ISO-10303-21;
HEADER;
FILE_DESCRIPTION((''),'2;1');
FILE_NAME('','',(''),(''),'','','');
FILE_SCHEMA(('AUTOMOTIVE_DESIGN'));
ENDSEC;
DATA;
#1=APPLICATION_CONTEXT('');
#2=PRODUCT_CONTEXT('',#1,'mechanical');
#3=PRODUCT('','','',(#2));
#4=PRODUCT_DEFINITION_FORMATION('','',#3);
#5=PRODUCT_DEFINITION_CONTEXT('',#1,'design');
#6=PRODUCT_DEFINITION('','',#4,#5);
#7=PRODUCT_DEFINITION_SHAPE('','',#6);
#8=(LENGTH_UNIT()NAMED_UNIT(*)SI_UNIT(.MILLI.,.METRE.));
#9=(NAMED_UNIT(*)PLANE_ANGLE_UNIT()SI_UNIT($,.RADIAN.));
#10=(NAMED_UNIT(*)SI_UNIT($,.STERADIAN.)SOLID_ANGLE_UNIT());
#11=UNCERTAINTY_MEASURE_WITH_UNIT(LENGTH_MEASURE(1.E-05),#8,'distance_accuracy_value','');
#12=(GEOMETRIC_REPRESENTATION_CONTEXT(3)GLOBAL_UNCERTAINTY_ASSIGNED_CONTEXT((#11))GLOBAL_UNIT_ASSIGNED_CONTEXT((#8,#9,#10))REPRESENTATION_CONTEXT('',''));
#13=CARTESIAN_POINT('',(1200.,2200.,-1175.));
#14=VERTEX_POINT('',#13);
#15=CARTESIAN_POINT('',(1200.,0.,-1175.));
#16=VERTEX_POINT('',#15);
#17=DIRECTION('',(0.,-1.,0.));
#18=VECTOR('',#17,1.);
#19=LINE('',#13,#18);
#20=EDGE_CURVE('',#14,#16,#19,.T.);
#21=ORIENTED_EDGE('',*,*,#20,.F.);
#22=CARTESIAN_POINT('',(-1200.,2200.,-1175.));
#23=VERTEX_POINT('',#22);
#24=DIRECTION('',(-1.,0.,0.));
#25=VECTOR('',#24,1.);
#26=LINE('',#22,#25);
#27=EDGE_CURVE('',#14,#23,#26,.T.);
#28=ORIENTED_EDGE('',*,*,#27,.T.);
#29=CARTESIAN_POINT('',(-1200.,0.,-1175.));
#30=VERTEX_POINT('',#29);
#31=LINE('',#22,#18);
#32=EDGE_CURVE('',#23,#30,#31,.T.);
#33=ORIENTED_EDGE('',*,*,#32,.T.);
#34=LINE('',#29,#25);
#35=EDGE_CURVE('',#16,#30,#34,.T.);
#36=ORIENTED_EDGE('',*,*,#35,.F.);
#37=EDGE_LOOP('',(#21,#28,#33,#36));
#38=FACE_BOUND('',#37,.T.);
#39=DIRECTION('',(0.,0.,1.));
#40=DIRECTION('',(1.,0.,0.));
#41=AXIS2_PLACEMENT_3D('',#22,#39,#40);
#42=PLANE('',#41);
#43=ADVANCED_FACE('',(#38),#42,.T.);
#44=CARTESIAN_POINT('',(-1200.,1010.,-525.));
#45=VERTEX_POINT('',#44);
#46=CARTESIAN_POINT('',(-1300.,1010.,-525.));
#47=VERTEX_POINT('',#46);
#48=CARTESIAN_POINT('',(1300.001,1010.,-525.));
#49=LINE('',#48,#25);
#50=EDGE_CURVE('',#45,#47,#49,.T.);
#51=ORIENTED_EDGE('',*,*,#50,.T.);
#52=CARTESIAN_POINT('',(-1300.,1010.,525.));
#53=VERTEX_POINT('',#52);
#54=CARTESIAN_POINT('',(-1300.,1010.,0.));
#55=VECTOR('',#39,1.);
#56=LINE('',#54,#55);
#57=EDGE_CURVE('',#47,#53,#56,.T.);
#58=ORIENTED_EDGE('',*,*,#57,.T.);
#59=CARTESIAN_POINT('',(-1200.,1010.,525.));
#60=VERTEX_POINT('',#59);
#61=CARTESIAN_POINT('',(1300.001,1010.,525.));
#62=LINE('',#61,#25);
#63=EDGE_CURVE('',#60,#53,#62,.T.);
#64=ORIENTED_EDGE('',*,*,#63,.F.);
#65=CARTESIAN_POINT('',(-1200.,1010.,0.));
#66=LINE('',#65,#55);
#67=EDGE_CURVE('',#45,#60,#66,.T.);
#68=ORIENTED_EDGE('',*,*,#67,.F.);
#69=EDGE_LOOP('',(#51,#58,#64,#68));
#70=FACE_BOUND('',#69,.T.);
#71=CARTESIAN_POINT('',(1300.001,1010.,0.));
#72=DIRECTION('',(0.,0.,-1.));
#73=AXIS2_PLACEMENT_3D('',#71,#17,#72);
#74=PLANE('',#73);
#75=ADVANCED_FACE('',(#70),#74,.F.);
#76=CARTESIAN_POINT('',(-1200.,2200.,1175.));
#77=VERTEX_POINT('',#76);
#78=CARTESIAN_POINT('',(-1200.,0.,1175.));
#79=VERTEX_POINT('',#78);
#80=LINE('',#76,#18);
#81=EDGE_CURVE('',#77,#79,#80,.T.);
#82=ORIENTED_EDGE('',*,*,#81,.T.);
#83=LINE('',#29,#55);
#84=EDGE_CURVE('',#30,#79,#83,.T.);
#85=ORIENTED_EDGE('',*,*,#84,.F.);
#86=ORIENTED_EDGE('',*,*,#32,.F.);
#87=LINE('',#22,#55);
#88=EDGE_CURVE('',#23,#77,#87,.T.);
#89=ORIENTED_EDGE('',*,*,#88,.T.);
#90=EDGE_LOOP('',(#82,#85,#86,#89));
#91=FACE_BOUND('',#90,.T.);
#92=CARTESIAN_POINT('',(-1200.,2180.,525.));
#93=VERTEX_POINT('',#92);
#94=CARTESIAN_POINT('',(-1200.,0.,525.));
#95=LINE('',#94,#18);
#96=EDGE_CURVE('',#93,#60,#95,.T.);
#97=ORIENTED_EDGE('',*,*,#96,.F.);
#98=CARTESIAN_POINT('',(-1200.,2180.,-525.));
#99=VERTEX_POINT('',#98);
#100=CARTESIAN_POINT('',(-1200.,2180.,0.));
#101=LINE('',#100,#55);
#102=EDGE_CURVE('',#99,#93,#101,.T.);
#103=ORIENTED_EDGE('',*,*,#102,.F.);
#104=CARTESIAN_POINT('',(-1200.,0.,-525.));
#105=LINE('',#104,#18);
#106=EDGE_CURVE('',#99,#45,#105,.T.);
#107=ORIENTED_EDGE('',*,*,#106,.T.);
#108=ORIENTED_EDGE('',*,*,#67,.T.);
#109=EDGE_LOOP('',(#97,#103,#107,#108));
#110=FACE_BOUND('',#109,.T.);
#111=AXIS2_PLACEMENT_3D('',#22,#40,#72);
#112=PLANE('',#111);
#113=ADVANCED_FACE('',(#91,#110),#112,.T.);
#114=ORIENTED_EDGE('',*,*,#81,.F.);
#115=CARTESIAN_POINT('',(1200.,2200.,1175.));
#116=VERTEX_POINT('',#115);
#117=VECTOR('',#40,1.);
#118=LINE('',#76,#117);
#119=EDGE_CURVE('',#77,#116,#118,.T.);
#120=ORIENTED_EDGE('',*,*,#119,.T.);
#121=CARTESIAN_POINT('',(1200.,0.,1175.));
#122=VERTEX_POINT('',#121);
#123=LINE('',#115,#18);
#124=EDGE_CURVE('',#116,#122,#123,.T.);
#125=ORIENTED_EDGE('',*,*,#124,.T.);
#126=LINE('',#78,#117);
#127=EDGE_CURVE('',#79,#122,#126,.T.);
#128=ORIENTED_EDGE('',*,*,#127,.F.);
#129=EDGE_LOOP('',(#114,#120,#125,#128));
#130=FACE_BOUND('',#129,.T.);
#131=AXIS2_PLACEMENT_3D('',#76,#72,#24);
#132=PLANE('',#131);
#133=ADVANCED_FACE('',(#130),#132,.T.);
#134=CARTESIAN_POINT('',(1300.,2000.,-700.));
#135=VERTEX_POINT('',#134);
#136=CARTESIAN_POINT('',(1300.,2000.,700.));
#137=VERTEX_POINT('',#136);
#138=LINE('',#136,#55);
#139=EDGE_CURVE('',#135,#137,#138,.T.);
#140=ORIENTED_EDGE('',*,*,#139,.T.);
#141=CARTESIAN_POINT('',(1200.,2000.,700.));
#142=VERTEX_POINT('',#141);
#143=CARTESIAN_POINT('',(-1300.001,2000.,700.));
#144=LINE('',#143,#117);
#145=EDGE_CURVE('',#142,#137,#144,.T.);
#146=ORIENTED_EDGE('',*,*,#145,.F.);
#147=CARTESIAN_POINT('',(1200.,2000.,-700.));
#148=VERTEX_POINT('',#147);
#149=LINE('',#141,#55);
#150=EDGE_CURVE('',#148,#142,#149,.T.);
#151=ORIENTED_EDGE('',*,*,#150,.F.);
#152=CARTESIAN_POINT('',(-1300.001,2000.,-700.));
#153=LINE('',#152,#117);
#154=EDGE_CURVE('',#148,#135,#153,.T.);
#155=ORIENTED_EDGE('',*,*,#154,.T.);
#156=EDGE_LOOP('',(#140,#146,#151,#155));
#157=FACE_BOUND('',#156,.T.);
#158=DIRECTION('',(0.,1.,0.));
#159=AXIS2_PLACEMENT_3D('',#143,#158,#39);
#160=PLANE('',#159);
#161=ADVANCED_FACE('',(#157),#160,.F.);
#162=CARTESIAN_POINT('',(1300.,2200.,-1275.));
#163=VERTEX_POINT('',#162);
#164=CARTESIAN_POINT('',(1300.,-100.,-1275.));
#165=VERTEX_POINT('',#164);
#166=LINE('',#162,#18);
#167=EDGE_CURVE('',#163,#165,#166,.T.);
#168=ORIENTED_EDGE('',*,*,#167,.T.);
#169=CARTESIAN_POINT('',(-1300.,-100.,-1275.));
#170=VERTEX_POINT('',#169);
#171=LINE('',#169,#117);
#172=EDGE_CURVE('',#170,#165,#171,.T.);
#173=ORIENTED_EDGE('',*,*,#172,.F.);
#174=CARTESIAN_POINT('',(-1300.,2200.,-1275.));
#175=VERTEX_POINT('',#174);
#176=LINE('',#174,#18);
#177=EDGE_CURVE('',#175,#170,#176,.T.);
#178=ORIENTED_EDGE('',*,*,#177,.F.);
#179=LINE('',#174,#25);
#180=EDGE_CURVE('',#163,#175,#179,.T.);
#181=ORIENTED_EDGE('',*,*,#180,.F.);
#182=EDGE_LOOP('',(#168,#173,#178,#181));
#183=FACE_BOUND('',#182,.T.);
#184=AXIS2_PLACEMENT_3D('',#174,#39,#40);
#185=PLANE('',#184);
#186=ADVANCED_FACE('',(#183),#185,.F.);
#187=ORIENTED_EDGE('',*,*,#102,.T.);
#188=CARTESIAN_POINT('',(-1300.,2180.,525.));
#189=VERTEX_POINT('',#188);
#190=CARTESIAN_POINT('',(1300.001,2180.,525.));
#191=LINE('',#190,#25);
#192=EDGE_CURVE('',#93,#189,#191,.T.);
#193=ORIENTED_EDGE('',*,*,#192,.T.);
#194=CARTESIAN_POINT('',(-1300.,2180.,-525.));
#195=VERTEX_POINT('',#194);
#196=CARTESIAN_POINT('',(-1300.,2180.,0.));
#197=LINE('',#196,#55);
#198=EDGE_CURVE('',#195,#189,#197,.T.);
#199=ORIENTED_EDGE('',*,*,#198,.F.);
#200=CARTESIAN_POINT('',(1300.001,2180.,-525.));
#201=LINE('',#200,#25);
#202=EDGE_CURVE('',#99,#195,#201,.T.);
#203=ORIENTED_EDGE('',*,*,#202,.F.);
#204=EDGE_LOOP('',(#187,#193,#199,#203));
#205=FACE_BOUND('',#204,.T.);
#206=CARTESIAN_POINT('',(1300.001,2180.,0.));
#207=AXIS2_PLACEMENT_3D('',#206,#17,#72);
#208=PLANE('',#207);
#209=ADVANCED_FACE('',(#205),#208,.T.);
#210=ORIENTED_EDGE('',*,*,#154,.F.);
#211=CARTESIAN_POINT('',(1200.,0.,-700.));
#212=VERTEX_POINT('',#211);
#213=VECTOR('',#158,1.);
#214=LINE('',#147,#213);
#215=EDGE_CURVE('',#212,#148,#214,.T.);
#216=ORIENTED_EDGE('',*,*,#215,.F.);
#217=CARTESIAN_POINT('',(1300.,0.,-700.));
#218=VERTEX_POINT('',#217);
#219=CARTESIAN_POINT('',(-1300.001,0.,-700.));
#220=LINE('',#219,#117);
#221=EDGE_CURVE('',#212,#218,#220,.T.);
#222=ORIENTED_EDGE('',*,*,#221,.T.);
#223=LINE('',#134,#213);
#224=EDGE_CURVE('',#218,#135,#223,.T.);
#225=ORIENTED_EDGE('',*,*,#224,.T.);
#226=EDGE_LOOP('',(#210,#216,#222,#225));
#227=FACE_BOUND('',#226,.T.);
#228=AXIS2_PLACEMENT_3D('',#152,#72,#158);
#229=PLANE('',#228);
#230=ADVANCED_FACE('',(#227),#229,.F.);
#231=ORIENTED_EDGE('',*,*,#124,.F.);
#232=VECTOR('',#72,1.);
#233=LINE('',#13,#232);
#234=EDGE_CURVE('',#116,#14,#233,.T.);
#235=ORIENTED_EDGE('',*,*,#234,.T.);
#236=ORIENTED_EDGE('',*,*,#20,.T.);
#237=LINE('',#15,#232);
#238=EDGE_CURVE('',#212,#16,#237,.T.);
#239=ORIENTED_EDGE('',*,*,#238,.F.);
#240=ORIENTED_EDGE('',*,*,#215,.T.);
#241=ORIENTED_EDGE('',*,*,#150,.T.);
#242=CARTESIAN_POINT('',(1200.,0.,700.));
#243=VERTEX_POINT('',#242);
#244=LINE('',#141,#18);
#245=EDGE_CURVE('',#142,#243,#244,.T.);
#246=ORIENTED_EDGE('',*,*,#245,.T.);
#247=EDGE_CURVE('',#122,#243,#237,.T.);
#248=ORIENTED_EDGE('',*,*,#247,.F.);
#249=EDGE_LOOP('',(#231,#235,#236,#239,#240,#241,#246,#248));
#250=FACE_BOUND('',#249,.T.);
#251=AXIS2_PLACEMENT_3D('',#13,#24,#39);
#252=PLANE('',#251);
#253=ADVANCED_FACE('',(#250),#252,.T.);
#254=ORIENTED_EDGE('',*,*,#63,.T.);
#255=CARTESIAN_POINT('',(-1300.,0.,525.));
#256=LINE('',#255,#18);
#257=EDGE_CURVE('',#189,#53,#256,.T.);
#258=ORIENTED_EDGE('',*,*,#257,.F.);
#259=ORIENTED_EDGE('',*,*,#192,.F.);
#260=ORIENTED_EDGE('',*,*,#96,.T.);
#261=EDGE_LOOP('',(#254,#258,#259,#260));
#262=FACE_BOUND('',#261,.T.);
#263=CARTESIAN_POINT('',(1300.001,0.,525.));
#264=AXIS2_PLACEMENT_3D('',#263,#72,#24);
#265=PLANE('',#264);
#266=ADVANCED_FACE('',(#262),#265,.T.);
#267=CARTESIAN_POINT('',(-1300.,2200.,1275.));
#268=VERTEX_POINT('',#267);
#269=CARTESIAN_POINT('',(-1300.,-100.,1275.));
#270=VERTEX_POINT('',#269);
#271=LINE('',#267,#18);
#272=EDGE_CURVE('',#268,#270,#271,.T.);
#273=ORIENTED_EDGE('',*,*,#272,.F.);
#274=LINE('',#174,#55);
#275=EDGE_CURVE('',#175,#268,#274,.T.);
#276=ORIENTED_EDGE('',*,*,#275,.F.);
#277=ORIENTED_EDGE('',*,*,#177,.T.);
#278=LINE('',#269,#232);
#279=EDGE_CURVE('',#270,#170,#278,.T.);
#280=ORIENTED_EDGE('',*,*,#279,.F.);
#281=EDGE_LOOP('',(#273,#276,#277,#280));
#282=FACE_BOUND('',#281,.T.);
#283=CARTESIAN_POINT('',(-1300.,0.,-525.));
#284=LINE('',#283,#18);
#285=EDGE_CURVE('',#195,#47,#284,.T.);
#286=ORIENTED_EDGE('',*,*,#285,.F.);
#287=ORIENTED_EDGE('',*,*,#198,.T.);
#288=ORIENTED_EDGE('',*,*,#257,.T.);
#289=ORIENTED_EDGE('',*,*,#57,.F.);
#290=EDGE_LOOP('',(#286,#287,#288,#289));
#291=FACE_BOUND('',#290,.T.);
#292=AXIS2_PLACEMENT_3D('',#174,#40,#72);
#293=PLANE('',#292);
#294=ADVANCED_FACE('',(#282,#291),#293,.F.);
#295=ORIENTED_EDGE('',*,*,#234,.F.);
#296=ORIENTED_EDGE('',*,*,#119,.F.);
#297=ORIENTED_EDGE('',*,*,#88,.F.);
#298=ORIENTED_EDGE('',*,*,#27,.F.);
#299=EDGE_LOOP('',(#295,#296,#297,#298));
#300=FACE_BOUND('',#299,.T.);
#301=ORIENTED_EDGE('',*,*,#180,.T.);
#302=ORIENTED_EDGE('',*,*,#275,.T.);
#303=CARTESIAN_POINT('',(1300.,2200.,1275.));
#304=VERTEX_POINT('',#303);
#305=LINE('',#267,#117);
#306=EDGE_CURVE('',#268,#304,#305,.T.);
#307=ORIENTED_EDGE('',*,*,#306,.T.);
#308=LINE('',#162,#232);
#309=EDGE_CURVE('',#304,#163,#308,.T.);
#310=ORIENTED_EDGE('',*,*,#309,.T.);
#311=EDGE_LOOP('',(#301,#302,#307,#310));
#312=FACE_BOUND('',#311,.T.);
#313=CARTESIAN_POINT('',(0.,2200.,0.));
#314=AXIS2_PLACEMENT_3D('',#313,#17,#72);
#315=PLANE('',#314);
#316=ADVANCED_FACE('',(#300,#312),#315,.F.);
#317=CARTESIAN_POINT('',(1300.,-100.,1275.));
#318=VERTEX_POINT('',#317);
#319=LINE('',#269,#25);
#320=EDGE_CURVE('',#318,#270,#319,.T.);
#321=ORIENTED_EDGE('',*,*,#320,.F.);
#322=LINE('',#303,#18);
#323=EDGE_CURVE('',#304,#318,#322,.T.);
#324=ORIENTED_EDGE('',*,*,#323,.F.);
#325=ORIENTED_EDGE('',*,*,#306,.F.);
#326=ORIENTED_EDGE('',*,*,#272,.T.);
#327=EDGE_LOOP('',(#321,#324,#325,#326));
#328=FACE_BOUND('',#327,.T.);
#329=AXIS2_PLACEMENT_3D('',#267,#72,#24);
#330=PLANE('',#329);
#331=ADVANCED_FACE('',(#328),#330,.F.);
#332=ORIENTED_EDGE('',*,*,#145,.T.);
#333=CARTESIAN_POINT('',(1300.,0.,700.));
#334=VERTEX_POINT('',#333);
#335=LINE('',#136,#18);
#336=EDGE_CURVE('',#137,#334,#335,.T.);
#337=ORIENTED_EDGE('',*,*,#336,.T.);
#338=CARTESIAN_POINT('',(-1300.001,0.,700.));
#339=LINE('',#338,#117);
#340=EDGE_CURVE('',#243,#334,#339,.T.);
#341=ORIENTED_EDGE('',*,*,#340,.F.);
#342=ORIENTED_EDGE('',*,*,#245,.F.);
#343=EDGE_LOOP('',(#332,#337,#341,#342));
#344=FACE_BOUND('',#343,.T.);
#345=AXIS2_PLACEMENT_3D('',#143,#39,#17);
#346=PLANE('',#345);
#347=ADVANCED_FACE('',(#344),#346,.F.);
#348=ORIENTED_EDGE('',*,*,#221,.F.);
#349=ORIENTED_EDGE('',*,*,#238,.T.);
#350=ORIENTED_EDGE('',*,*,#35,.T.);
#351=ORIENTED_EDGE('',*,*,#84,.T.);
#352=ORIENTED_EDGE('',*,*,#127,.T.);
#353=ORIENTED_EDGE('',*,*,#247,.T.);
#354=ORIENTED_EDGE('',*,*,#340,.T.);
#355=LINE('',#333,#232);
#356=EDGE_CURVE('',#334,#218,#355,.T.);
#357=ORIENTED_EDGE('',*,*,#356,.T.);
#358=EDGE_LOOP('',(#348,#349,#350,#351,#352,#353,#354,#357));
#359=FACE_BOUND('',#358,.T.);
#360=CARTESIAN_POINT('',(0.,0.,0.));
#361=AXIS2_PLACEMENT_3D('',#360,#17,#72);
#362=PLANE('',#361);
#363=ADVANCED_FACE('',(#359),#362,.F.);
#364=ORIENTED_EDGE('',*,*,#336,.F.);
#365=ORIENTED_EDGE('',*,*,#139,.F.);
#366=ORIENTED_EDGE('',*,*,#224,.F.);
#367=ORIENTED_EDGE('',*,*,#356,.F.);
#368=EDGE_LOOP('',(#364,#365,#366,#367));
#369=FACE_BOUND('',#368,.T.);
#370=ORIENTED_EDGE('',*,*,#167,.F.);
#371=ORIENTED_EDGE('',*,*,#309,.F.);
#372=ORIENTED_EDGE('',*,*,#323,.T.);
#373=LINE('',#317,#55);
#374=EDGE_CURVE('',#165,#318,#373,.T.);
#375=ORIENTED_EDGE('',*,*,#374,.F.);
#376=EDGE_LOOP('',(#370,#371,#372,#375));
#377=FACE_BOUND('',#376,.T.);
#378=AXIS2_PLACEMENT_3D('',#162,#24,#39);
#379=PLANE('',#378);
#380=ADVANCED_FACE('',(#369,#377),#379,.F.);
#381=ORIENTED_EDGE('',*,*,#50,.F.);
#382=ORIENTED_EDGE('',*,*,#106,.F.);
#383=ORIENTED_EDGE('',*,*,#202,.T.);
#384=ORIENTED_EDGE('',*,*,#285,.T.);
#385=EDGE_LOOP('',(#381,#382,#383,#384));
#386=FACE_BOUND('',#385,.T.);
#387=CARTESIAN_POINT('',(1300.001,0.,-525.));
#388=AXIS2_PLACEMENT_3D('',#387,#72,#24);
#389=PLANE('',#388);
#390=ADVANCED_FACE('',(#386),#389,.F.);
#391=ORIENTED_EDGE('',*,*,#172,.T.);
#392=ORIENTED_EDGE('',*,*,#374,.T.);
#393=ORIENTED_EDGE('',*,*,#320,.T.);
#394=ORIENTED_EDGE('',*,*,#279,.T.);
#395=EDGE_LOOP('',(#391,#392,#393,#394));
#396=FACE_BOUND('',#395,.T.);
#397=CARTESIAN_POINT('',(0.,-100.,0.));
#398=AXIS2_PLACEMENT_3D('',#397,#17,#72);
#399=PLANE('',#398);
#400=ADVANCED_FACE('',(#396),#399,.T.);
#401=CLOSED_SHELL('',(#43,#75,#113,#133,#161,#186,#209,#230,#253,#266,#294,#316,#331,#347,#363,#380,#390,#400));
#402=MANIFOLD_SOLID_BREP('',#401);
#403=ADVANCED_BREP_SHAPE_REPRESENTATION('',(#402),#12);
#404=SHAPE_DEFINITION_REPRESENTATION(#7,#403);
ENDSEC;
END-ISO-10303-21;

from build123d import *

# Parameters (mm, degrees)
SKETCH_1_W             = 2600
SKETCH_1_H             = 2550
SKETCH_1_W_2           = 2400
SKETCH_1_H_2           = 2350
EXTRUDE_327_DEPTH      = 2200
SKETCH_2_W             = 2600
SKETCH_2_H             = 2550
EXTRUDE_523_DEPTH      = 100
CUT_EXTRUDE_725_REACH  = 3638.705
SKETCH_5_W             = 1400
SKETCH_5_H             = 2000
CUT_EXTRUDE_1054_REACH = 3638.705
SKETCH_6_W             = 1050
SKETCH_6_H             = 1170


with BuildPart() as part:
    # 스케치1 → Extrude 327 (new body)
    with BuildSketch(Plane(origin=(0, 0, 0), x_dir=(1, 0, 0), z_dir=(0, 1, 0))):
        Rectangle(SKETCH_1_W, SKETCH_1_H)
        Rectangle(SKETCH_1_W_2, SKETCH_1_H_2, mode=Mode.SUBTRACT)
    extrude(amount=EXTRUDE_327_DEPTH)

    # 스케치2 → Extrude 523 (add)
    with BuildSketch(Plane.XZ):
        Rectangle(SKETCH_2_W, SKETCH_2_H)
    extrude(amount=EXTRUDE_523_DEPTH)

    # 스케치5 → Cut-Extrude 725 (cut, up to next)
    with BuildSketch(Plane(origin=(1300, 0, 0), x_dir=(0, 0, -1), z_dir=(1, 0, 0)), mode=Mode.PRIVATE) as cut_extrude_725_sk1:
        with Locations((0, 1000)):
            Rectangle(SKETCH_5_W, SKETCH_5_H)
    cut_extrude_725_tool1 = extrude(cut_extrude_725_sk1.sketch, amount=-CUT_EXTRUDE_725_REACH, mode=Mode.PRIVATE) & part.part
    add(cut_extrude_725_tool1.solids().sort_by_distance((1300, 1000, 0))[0], mode=Mode.SUBTRACT)

    # 스케치6 → Cut-Extrude 1054 (cut, up to next)
    with BuildSketch(Plane.ZY.offset(1300), mode=Mode.PRIVATE) as cut_extrude_1054_sk1:
        with Locations((0, 1595)):
            Rectangle(SKETCH_6_W, SKETCH_6_H)
    cut_extrude_1054_tool1 = extrude(cut_extrude_1054_sk1.sketch, amount=-CUT_EXTRUDE_1054_REACH, mode=Mode.PRIVATE) & part.part
    add(cut_extrude_1054_tool1.solids().sort_by_distance((-1300, 1595, 0))[0], mode=Mode.SUBTRACT)


solid = part.part
